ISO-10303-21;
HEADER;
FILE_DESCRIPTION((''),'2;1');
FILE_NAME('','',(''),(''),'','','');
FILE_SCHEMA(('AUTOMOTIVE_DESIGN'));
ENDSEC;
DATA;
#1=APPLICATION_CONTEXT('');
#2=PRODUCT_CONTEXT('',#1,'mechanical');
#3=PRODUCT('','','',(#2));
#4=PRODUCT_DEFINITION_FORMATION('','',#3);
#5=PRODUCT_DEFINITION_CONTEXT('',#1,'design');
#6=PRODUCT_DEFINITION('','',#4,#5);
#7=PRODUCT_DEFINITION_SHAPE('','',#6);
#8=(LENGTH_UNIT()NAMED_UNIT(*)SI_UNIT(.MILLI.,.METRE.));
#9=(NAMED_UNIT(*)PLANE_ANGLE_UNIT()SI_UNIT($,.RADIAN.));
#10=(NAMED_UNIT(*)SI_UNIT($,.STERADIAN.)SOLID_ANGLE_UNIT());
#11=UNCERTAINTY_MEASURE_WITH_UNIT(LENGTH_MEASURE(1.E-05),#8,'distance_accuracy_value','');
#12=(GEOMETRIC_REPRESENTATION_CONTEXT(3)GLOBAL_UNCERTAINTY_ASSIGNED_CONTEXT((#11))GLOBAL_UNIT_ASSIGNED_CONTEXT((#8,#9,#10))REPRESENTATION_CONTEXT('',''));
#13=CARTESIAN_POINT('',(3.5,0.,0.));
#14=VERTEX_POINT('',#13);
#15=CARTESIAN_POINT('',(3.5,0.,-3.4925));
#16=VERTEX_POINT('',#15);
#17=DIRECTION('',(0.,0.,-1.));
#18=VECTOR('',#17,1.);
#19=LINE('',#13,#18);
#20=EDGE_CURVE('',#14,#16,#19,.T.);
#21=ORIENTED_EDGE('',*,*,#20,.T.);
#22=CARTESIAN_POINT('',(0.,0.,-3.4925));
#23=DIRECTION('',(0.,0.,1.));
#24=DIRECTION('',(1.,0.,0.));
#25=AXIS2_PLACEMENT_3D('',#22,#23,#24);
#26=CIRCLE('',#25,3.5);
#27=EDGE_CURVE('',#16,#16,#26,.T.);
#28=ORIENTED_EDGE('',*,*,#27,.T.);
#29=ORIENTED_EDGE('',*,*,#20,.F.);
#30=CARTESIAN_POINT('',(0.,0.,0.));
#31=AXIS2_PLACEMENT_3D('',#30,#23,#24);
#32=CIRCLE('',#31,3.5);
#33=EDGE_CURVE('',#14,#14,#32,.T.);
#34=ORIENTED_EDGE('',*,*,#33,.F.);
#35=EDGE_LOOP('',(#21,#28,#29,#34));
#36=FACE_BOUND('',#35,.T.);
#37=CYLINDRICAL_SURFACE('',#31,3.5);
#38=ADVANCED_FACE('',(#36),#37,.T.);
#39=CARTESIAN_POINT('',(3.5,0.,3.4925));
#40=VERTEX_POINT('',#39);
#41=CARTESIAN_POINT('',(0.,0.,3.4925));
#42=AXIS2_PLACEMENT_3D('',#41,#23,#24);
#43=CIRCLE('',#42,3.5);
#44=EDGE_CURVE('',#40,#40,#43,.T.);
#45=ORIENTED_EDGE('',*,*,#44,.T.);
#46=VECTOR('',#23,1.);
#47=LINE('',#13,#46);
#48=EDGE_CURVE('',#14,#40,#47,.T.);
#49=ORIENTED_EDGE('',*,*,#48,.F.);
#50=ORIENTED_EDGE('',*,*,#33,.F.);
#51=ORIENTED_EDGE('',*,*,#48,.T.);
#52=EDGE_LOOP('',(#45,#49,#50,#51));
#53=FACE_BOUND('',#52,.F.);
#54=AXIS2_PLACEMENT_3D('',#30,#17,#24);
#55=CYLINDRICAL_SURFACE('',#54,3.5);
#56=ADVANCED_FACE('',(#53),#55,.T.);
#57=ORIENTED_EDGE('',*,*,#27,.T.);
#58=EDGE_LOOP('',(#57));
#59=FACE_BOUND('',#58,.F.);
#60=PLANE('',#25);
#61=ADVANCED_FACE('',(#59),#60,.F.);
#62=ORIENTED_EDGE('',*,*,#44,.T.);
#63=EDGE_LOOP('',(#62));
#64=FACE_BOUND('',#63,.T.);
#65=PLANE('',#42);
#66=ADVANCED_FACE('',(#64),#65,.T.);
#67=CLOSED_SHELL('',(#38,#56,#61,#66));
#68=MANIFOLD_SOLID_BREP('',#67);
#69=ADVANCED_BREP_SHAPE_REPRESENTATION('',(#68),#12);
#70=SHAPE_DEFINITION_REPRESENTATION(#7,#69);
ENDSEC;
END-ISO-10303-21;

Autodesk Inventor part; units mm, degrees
ref_plane "YZ Plane" through (0, 0, 0) normal (1, 0, 0) x (0, 1, 0)
ref_plane "XZ Plane" through (0, 0, 0) normal (0, 1, 0) x (-1, 0, 0)
ref_plane "XY Plane" through (0, 0, 0) normal (0, 0, 1) x (1, 0, 0)
sketch "Основной эскиз" plane through (0, 0, 0) normal (0, 0, 1) x (1, 0, 0)
  circle A0 centre (0, 0) radius 3.5
  dimension "d0" = 7
extrude "Шкив" add sketch "Основной эскиз" along normal mid plane 6.985
equation "\"d0\" = da_D"
equation "\"d1\" = da_B"
equation "\"da_D\" = 7"
equation "\"da_B\" = 6.985"
properties part number "Шкив гладкий1" material "Steel"
